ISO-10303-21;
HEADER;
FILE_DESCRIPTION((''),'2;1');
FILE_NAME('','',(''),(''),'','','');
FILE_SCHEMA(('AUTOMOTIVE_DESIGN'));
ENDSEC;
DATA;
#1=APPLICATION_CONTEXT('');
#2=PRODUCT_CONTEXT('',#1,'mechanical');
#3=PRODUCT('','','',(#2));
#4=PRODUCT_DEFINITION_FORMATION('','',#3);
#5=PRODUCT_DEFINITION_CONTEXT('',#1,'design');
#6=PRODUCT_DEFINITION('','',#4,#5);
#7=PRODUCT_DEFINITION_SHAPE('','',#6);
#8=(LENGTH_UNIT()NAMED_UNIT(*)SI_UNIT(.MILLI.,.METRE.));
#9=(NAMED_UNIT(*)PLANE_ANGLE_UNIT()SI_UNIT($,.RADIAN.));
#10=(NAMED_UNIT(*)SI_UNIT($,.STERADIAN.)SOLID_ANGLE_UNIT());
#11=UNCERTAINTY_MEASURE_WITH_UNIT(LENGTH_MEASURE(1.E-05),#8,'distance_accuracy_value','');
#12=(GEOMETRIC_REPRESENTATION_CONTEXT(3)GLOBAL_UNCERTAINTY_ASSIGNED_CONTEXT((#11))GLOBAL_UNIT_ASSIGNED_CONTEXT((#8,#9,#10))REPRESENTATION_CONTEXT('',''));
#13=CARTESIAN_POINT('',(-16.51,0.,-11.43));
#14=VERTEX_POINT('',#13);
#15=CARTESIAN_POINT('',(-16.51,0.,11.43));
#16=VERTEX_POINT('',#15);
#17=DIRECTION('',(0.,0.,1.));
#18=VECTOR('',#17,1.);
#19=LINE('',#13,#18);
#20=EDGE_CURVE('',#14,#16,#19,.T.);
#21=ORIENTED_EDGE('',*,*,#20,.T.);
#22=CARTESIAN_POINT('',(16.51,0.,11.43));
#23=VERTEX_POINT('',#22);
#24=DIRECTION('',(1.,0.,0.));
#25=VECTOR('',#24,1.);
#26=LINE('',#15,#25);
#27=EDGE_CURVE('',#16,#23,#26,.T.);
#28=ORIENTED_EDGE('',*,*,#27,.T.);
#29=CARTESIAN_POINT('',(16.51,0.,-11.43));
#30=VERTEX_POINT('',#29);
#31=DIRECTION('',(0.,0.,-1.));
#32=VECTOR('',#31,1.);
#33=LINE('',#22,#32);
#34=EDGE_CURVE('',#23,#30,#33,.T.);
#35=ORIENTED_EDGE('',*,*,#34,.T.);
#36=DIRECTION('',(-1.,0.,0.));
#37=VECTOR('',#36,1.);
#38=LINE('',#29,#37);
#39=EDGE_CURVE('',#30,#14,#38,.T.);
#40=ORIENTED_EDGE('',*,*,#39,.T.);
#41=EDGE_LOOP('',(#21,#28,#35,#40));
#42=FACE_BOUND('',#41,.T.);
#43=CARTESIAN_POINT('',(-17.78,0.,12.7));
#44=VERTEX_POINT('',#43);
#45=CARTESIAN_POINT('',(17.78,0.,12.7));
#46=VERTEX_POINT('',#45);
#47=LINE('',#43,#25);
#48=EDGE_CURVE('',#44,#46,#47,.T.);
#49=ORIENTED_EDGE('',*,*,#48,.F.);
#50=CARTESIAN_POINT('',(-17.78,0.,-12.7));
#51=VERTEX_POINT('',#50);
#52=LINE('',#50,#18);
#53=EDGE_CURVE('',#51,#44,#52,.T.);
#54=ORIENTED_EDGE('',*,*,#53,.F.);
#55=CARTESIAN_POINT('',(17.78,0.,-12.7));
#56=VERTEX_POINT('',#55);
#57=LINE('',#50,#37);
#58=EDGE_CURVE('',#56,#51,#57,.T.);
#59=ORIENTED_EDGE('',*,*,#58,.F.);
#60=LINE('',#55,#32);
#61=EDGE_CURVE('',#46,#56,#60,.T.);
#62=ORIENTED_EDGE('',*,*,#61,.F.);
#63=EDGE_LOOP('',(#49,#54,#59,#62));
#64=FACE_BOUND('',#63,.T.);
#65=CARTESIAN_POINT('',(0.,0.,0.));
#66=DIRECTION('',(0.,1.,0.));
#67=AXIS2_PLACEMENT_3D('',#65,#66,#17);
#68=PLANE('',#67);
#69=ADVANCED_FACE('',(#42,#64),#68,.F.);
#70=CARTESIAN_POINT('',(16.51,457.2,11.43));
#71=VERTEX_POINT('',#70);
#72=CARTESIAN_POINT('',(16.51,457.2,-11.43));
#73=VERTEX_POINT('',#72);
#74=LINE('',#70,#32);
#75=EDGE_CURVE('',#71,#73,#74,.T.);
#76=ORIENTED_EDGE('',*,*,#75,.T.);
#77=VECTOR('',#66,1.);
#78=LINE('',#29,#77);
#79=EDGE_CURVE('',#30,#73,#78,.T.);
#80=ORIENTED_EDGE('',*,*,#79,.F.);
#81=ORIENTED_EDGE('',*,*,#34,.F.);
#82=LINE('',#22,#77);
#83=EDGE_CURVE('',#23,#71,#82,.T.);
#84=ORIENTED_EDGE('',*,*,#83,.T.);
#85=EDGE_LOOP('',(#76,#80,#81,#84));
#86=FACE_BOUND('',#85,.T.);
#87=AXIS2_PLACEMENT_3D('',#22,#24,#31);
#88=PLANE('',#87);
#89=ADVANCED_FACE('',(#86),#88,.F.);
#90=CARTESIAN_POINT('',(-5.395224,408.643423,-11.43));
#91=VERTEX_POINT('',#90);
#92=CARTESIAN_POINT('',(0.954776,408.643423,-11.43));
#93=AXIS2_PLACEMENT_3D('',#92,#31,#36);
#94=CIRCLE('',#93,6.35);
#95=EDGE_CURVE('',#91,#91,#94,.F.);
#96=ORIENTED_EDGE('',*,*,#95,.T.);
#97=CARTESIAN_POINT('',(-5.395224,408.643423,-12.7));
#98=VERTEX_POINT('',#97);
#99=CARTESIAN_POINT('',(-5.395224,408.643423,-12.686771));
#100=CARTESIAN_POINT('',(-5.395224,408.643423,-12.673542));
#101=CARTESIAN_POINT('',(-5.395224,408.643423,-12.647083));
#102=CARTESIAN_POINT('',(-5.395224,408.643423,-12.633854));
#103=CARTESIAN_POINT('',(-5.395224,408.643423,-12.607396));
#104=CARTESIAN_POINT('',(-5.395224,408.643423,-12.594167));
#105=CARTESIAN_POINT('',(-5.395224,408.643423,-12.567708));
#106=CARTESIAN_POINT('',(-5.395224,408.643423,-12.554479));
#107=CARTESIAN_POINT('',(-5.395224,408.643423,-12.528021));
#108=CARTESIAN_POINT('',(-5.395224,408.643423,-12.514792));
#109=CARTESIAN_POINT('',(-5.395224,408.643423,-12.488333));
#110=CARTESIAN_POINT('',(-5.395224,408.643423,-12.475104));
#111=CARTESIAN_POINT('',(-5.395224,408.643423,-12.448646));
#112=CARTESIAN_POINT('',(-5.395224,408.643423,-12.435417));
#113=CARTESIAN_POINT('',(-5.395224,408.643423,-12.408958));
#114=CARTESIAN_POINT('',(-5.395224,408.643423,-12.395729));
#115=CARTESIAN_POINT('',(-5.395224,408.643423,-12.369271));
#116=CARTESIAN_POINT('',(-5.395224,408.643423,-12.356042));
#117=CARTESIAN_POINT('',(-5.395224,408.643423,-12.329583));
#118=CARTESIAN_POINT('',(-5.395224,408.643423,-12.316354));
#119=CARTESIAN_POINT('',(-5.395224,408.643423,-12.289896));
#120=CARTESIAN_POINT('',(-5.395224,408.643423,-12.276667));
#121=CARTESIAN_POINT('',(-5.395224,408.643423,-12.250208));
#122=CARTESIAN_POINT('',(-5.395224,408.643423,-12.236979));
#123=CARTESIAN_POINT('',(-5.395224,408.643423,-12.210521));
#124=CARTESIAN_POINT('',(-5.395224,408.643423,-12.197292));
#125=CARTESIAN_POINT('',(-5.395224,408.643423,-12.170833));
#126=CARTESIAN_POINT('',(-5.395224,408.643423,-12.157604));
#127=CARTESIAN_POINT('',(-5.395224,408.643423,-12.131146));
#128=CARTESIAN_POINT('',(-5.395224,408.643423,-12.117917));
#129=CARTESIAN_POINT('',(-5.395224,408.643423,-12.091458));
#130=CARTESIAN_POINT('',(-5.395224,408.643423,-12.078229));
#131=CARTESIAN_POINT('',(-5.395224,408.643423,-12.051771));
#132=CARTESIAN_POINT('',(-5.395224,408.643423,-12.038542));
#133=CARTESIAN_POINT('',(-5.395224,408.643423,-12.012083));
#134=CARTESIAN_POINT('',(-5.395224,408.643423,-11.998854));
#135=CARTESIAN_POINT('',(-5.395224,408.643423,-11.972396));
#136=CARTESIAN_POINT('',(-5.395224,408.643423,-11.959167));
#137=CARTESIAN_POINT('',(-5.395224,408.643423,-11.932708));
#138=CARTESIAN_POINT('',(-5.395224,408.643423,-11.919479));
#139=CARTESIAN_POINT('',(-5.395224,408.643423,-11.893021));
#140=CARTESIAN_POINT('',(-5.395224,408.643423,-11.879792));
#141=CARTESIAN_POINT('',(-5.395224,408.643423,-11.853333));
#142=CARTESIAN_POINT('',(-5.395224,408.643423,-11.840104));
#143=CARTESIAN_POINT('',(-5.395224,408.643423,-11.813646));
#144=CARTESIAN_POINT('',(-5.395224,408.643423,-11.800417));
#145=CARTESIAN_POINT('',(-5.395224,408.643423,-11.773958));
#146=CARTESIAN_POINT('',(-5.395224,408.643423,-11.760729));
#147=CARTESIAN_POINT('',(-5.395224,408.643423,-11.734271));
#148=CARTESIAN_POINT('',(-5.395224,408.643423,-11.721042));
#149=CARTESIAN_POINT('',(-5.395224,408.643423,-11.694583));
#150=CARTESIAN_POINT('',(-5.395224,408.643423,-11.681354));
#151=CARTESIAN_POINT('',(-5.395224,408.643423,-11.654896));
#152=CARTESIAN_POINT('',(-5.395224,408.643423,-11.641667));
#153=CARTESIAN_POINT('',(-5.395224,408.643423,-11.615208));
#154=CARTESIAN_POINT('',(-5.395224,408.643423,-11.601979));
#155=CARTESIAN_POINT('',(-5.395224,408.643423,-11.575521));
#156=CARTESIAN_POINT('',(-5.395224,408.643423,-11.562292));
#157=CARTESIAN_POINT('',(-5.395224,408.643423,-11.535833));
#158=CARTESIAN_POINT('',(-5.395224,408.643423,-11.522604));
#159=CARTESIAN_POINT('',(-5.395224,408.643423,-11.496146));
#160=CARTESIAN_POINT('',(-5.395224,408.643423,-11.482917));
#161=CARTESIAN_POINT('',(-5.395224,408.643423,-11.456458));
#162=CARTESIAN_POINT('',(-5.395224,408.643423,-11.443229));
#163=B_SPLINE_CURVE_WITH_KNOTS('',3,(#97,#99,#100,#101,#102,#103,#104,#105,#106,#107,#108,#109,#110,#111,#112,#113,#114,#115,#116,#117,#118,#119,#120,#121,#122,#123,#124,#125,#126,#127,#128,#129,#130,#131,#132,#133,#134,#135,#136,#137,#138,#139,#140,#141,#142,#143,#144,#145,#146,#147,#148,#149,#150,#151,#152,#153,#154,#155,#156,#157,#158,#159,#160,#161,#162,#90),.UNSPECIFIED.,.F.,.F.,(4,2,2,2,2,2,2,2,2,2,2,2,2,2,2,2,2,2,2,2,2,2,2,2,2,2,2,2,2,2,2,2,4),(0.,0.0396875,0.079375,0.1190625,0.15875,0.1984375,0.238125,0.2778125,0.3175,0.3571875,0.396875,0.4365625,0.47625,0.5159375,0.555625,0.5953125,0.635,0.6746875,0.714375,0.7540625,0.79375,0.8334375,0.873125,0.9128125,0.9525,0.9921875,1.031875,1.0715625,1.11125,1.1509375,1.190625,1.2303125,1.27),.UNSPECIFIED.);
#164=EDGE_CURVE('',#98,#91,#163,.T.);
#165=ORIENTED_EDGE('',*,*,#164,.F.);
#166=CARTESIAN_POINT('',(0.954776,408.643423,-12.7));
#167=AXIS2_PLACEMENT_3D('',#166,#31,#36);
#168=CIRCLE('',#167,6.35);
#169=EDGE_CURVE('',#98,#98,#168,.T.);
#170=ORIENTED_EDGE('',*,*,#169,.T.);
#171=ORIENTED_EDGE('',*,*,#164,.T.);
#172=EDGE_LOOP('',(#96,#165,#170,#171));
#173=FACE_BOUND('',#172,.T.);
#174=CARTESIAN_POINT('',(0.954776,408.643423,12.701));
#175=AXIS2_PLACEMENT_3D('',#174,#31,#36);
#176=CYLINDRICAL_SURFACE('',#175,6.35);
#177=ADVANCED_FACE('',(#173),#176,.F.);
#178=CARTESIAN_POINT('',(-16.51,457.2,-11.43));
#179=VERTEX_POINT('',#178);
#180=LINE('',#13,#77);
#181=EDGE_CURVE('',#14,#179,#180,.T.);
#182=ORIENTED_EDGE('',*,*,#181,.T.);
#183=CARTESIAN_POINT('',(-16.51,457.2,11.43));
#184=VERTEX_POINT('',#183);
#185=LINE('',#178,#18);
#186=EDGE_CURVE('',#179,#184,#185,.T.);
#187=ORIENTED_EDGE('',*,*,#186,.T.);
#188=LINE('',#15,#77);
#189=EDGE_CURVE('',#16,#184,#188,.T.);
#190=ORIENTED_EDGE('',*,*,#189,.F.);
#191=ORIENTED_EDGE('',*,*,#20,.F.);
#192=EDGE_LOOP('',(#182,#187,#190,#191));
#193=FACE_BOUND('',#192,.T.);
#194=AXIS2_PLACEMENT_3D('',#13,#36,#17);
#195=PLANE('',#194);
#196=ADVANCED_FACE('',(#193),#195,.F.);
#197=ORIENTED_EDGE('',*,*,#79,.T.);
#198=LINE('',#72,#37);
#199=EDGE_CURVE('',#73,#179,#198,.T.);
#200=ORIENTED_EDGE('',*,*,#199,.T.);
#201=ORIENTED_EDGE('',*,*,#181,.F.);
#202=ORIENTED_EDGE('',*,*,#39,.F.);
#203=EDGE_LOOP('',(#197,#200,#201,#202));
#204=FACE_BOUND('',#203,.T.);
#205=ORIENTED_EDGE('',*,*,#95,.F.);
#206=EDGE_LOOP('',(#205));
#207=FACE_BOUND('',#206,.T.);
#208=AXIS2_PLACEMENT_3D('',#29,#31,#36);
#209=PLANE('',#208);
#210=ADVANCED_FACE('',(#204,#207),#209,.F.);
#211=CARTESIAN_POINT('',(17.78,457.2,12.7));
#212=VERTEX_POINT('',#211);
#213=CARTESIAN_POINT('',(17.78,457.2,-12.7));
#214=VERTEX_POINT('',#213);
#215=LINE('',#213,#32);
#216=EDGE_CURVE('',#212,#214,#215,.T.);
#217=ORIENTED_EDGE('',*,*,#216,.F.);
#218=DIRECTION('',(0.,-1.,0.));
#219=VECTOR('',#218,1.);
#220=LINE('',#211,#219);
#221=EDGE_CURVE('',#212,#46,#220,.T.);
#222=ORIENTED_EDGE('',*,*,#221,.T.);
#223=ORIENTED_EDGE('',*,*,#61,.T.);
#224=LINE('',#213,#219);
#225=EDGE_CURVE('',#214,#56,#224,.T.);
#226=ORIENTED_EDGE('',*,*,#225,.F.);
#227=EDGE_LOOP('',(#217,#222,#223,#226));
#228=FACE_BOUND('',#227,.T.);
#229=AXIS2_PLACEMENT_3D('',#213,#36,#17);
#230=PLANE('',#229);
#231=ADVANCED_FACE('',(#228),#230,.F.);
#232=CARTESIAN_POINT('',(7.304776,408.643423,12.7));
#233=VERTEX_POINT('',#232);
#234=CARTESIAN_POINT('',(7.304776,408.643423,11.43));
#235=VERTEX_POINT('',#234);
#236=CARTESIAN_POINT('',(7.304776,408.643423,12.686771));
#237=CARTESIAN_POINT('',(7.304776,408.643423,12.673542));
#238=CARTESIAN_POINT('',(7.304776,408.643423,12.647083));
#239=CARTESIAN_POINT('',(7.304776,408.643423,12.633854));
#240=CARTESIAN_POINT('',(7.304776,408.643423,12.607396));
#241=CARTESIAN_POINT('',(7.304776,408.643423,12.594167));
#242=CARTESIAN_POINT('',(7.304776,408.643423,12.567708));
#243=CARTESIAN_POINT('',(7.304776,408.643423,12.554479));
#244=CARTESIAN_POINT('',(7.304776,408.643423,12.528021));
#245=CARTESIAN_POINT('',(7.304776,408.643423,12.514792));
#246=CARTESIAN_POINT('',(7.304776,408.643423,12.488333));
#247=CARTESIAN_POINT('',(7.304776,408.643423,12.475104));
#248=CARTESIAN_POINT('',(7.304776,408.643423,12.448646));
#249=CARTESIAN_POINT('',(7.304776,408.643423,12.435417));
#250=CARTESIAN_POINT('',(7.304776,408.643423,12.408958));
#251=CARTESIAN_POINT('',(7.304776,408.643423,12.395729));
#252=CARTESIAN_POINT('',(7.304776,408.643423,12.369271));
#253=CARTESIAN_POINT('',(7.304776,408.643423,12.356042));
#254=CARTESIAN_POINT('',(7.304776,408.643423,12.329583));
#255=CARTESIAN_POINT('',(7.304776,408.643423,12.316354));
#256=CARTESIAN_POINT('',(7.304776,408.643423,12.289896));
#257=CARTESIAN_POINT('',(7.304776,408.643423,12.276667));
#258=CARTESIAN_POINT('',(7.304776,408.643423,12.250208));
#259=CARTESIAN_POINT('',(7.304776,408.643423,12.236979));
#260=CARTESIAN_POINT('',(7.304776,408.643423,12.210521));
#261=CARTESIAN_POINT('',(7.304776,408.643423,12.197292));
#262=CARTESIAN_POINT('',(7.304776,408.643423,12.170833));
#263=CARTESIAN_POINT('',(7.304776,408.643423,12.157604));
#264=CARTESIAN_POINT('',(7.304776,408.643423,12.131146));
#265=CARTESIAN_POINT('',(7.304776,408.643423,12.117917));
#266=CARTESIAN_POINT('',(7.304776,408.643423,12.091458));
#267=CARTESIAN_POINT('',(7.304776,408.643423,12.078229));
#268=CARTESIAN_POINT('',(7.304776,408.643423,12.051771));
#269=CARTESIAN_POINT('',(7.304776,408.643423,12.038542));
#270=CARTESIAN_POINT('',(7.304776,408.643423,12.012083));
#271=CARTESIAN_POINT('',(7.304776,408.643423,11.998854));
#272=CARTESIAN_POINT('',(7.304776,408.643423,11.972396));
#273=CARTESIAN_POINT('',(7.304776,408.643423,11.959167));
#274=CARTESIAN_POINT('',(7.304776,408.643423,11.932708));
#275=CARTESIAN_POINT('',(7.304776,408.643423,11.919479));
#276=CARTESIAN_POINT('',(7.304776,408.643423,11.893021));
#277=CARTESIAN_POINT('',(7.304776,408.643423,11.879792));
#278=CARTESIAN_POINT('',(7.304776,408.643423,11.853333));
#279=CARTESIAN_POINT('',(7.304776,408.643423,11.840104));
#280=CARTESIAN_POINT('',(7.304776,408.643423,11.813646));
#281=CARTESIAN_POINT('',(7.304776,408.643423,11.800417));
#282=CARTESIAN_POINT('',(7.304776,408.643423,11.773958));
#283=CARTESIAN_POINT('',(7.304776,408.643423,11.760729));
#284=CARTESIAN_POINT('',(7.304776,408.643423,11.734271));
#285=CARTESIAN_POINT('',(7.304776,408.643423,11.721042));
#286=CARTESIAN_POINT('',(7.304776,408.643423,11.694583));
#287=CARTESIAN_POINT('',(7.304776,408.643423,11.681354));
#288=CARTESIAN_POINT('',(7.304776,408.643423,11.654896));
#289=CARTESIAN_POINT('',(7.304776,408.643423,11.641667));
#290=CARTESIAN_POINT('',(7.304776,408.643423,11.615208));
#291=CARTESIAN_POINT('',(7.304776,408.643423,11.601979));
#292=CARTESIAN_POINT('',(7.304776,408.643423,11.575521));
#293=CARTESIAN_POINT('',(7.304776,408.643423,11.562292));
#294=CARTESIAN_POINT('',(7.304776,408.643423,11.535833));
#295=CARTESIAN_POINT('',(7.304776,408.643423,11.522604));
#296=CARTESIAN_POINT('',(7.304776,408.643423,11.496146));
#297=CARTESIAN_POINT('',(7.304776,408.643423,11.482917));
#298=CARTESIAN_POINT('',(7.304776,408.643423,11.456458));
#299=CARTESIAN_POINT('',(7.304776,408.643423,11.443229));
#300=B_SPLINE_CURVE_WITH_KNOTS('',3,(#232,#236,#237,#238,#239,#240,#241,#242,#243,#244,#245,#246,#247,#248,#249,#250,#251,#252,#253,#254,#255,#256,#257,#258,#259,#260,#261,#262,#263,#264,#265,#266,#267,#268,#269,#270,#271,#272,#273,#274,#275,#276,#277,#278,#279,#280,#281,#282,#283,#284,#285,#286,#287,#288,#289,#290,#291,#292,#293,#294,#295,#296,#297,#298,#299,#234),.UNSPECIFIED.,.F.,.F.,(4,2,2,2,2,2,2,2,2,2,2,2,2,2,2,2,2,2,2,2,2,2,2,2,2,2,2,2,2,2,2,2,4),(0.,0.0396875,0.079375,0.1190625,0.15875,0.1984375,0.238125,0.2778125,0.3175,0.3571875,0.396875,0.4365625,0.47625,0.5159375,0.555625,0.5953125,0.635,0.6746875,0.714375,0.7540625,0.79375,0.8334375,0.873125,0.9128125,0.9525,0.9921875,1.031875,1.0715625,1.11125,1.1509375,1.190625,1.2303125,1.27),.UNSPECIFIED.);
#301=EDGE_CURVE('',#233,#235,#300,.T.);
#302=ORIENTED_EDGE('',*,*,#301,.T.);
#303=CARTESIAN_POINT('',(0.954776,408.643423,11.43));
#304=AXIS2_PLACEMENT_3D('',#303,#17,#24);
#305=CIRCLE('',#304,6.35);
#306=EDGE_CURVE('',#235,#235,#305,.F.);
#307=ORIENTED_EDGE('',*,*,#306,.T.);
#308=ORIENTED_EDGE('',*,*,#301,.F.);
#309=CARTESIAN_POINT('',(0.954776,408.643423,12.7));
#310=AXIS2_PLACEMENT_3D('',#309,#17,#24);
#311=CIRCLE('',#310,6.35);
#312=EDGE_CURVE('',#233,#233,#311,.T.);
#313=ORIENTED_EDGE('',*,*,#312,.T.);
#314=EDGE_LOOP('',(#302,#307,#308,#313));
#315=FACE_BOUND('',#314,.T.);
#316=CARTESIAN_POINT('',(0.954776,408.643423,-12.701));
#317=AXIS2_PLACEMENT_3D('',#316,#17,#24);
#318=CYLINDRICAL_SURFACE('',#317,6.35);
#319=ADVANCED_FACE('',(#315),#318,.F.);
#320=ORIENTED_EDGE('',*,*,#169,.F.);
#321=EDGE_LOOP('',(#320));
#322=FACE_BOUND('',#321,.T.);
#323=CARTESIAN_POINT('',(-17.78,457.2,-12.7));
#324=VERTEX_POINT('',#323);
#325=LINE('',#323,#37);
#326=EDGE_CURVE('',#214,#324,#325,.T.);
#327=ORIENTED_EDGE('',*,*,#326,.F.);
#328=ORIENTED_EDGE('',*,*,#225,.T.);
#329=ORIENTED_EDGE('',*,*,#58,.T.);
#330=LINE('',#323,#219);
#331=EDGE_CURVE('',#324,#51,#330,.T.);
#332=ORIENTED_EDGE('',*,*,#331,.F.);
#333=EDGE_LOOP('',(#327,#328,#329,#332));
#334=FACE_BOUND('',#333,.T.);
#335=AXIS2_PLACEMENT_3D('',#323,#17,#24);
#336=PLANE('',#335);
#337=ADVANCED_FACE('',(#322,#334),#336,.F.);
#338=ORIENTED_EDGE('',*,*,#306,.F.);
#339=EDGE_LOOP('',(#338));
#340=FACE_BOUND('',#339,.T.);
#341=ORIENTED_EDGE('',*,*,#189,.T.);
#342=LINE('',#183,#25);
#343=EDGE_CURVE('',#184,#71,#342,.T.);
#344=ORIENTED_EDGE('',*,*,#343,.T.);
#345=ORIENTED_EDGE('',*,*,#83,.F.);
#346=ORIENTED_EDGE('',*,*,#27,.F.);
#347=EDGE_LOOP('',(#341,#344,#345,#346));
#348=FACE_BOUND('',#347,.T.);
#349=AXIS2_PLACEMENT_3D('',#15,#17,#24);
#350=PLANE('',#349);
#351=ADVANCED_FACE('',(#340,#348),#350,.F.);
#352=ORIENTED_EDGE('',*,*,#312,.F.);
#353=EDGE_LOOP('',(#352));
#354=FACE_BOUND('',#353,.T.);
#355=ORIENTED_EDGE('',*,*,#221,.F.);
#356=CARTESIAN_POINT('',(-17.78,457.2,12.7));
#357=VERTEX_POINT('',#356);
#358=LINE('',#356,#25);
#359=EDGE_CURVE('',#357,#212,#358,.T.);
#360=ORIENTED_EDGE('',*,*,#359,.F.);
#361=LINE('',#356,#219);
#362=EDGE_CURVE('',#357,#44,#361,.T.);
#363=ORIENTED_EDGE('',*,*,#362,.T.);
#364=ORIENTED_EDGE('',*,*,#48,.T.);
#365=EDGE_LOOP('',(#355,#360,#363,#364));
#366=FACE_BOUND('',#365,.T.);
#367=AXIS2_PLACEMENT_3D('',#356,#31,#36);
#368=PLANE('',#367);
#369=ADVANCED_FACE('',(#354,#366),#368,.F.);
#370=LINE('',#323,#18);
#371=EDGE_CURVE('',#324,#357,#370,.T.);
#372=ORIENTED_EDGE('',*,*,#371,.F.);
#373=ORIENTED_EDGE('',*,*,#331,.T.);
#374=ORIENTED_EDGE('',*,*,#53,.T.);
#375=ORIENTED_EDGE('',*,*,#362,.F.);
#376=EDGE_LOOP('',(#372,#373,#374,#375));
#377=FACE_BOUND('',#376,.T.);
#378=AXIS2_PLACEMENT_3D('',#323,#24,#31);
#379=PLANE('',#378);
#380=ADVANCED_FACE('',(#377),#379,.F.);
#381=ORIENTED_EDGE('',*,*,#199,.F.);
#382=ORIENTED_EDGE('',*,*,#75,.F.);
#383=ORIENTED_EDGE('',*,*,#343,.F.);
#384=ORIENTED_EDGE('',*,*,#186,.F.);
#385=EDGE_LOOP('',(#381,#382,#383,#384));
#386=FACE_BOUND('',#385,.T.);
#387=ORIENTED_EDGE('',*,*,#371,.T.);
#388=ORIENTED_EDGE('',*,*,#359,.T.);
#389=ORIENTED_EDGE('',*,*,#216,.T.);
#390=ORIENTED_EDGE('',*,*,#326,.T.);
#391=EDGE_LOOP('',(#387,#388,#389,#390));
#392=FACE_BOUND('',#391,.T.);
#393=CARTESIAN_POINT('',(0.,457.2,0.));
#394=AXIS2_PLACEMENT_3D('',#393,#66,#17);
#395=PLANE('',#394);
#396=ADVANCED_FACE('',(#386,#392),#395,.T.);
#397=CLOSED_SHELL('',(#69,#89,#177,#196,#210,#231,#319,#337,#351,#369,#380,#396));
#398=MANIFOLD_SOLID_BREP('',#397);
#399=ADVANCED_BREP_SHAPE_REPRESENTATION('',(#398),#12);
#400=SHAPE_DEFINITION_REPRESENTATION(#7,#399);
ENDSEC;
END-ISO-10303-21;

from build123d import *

# Parameters (mm, degrees)
SKETCH1_W           = 35.56
SKETCH1_H           = 25.4
BOSS_EXTRUDE1_DEPTH = 457.2
SKETCH2_W           = 33.02
SKETCH2_H           = 22.86
CUT_EXTRUDE1_DEPTH  = 458.721813332
CUT_EXTRUDE2_REACH  = 460.25
SKETCH3_R           = 6.35
CUT_EXTRUDE3_REACH  = 460.25
SKETCH4_R           = 6.35


with BuildPart() as part:
    # Sketch1 → Boss-Extrude1 (new body)
    with BuildSketch(Plane(origin=(0, 0, 0), x_dir=(1, 0, 0), z_dir=(0, 1, 0))):
        Rectangle(SKETCH1_W, SKETCH1_H)
    extrude(amount=BOSS_EXTRUDE1_DEPTH)

    # Sketch2 → Cut-Extrude1 (cut, through all)
    with BuildSketch(Plane(origin=(0, 457.2, 0), x_dir=(1, 0, 0), z_dir=(0, 1, 0))):
        Rectangle(SKETCH2_W, SKETCH2_H)
    extrude(amount=-CUT_EXTRUDE1_DEPTH, mode=Mode.SUBTRACT)

    # Sketch3 → Cut-Extrude2 (cut, up to next)
    with BuildSketch(Plane.XY.offset(12.7), mode=Mode.PRIVATE) as cut_extrude2_sk1:
        with Locations((0.954776226, 408.643423165)):
            Circle(SKETCH3_R)
    cut_extrude2_tool1 = extrude(cut_extrude2_sk1.sketch, amount=-CUT_EXTRUDE2_REACH, mode=Mode.PRIVATE) & part.part
    add(cut_extrude2_tool1.solids().sort_by_distance((0.954776, 408.643423, 12.7))[0], mode=Mode.SUBTRACT)

    # Sketch4 → Cut-Extrude3 (cut, up to next)
    with BuildSketch(Plane(origin=(0, 0, -12.7), x_dir=(-1, 0, 0), z_dir=(0, 0, -1)), mode=Mode.PRIVATE) as cut_extrude3_sk1:
        with Locations(Location((-0.954776226, 408.643423165, 0), (0, 0, 180))):
            Circle(SKETCH4_R)
    cut_extrude3_tool1 = extrude(cut_extrude3_sk1.sketch, amount=-CUT_EXTRUDE3_REACH, mode=Mode.PRIVATE) & part.part
    add(cut_extrude3_tool1.solids().sort_by_distance((0.954776, 408.643423, -12.7))[0], mode=Mode.SUBTRACT)


solid = part.part
